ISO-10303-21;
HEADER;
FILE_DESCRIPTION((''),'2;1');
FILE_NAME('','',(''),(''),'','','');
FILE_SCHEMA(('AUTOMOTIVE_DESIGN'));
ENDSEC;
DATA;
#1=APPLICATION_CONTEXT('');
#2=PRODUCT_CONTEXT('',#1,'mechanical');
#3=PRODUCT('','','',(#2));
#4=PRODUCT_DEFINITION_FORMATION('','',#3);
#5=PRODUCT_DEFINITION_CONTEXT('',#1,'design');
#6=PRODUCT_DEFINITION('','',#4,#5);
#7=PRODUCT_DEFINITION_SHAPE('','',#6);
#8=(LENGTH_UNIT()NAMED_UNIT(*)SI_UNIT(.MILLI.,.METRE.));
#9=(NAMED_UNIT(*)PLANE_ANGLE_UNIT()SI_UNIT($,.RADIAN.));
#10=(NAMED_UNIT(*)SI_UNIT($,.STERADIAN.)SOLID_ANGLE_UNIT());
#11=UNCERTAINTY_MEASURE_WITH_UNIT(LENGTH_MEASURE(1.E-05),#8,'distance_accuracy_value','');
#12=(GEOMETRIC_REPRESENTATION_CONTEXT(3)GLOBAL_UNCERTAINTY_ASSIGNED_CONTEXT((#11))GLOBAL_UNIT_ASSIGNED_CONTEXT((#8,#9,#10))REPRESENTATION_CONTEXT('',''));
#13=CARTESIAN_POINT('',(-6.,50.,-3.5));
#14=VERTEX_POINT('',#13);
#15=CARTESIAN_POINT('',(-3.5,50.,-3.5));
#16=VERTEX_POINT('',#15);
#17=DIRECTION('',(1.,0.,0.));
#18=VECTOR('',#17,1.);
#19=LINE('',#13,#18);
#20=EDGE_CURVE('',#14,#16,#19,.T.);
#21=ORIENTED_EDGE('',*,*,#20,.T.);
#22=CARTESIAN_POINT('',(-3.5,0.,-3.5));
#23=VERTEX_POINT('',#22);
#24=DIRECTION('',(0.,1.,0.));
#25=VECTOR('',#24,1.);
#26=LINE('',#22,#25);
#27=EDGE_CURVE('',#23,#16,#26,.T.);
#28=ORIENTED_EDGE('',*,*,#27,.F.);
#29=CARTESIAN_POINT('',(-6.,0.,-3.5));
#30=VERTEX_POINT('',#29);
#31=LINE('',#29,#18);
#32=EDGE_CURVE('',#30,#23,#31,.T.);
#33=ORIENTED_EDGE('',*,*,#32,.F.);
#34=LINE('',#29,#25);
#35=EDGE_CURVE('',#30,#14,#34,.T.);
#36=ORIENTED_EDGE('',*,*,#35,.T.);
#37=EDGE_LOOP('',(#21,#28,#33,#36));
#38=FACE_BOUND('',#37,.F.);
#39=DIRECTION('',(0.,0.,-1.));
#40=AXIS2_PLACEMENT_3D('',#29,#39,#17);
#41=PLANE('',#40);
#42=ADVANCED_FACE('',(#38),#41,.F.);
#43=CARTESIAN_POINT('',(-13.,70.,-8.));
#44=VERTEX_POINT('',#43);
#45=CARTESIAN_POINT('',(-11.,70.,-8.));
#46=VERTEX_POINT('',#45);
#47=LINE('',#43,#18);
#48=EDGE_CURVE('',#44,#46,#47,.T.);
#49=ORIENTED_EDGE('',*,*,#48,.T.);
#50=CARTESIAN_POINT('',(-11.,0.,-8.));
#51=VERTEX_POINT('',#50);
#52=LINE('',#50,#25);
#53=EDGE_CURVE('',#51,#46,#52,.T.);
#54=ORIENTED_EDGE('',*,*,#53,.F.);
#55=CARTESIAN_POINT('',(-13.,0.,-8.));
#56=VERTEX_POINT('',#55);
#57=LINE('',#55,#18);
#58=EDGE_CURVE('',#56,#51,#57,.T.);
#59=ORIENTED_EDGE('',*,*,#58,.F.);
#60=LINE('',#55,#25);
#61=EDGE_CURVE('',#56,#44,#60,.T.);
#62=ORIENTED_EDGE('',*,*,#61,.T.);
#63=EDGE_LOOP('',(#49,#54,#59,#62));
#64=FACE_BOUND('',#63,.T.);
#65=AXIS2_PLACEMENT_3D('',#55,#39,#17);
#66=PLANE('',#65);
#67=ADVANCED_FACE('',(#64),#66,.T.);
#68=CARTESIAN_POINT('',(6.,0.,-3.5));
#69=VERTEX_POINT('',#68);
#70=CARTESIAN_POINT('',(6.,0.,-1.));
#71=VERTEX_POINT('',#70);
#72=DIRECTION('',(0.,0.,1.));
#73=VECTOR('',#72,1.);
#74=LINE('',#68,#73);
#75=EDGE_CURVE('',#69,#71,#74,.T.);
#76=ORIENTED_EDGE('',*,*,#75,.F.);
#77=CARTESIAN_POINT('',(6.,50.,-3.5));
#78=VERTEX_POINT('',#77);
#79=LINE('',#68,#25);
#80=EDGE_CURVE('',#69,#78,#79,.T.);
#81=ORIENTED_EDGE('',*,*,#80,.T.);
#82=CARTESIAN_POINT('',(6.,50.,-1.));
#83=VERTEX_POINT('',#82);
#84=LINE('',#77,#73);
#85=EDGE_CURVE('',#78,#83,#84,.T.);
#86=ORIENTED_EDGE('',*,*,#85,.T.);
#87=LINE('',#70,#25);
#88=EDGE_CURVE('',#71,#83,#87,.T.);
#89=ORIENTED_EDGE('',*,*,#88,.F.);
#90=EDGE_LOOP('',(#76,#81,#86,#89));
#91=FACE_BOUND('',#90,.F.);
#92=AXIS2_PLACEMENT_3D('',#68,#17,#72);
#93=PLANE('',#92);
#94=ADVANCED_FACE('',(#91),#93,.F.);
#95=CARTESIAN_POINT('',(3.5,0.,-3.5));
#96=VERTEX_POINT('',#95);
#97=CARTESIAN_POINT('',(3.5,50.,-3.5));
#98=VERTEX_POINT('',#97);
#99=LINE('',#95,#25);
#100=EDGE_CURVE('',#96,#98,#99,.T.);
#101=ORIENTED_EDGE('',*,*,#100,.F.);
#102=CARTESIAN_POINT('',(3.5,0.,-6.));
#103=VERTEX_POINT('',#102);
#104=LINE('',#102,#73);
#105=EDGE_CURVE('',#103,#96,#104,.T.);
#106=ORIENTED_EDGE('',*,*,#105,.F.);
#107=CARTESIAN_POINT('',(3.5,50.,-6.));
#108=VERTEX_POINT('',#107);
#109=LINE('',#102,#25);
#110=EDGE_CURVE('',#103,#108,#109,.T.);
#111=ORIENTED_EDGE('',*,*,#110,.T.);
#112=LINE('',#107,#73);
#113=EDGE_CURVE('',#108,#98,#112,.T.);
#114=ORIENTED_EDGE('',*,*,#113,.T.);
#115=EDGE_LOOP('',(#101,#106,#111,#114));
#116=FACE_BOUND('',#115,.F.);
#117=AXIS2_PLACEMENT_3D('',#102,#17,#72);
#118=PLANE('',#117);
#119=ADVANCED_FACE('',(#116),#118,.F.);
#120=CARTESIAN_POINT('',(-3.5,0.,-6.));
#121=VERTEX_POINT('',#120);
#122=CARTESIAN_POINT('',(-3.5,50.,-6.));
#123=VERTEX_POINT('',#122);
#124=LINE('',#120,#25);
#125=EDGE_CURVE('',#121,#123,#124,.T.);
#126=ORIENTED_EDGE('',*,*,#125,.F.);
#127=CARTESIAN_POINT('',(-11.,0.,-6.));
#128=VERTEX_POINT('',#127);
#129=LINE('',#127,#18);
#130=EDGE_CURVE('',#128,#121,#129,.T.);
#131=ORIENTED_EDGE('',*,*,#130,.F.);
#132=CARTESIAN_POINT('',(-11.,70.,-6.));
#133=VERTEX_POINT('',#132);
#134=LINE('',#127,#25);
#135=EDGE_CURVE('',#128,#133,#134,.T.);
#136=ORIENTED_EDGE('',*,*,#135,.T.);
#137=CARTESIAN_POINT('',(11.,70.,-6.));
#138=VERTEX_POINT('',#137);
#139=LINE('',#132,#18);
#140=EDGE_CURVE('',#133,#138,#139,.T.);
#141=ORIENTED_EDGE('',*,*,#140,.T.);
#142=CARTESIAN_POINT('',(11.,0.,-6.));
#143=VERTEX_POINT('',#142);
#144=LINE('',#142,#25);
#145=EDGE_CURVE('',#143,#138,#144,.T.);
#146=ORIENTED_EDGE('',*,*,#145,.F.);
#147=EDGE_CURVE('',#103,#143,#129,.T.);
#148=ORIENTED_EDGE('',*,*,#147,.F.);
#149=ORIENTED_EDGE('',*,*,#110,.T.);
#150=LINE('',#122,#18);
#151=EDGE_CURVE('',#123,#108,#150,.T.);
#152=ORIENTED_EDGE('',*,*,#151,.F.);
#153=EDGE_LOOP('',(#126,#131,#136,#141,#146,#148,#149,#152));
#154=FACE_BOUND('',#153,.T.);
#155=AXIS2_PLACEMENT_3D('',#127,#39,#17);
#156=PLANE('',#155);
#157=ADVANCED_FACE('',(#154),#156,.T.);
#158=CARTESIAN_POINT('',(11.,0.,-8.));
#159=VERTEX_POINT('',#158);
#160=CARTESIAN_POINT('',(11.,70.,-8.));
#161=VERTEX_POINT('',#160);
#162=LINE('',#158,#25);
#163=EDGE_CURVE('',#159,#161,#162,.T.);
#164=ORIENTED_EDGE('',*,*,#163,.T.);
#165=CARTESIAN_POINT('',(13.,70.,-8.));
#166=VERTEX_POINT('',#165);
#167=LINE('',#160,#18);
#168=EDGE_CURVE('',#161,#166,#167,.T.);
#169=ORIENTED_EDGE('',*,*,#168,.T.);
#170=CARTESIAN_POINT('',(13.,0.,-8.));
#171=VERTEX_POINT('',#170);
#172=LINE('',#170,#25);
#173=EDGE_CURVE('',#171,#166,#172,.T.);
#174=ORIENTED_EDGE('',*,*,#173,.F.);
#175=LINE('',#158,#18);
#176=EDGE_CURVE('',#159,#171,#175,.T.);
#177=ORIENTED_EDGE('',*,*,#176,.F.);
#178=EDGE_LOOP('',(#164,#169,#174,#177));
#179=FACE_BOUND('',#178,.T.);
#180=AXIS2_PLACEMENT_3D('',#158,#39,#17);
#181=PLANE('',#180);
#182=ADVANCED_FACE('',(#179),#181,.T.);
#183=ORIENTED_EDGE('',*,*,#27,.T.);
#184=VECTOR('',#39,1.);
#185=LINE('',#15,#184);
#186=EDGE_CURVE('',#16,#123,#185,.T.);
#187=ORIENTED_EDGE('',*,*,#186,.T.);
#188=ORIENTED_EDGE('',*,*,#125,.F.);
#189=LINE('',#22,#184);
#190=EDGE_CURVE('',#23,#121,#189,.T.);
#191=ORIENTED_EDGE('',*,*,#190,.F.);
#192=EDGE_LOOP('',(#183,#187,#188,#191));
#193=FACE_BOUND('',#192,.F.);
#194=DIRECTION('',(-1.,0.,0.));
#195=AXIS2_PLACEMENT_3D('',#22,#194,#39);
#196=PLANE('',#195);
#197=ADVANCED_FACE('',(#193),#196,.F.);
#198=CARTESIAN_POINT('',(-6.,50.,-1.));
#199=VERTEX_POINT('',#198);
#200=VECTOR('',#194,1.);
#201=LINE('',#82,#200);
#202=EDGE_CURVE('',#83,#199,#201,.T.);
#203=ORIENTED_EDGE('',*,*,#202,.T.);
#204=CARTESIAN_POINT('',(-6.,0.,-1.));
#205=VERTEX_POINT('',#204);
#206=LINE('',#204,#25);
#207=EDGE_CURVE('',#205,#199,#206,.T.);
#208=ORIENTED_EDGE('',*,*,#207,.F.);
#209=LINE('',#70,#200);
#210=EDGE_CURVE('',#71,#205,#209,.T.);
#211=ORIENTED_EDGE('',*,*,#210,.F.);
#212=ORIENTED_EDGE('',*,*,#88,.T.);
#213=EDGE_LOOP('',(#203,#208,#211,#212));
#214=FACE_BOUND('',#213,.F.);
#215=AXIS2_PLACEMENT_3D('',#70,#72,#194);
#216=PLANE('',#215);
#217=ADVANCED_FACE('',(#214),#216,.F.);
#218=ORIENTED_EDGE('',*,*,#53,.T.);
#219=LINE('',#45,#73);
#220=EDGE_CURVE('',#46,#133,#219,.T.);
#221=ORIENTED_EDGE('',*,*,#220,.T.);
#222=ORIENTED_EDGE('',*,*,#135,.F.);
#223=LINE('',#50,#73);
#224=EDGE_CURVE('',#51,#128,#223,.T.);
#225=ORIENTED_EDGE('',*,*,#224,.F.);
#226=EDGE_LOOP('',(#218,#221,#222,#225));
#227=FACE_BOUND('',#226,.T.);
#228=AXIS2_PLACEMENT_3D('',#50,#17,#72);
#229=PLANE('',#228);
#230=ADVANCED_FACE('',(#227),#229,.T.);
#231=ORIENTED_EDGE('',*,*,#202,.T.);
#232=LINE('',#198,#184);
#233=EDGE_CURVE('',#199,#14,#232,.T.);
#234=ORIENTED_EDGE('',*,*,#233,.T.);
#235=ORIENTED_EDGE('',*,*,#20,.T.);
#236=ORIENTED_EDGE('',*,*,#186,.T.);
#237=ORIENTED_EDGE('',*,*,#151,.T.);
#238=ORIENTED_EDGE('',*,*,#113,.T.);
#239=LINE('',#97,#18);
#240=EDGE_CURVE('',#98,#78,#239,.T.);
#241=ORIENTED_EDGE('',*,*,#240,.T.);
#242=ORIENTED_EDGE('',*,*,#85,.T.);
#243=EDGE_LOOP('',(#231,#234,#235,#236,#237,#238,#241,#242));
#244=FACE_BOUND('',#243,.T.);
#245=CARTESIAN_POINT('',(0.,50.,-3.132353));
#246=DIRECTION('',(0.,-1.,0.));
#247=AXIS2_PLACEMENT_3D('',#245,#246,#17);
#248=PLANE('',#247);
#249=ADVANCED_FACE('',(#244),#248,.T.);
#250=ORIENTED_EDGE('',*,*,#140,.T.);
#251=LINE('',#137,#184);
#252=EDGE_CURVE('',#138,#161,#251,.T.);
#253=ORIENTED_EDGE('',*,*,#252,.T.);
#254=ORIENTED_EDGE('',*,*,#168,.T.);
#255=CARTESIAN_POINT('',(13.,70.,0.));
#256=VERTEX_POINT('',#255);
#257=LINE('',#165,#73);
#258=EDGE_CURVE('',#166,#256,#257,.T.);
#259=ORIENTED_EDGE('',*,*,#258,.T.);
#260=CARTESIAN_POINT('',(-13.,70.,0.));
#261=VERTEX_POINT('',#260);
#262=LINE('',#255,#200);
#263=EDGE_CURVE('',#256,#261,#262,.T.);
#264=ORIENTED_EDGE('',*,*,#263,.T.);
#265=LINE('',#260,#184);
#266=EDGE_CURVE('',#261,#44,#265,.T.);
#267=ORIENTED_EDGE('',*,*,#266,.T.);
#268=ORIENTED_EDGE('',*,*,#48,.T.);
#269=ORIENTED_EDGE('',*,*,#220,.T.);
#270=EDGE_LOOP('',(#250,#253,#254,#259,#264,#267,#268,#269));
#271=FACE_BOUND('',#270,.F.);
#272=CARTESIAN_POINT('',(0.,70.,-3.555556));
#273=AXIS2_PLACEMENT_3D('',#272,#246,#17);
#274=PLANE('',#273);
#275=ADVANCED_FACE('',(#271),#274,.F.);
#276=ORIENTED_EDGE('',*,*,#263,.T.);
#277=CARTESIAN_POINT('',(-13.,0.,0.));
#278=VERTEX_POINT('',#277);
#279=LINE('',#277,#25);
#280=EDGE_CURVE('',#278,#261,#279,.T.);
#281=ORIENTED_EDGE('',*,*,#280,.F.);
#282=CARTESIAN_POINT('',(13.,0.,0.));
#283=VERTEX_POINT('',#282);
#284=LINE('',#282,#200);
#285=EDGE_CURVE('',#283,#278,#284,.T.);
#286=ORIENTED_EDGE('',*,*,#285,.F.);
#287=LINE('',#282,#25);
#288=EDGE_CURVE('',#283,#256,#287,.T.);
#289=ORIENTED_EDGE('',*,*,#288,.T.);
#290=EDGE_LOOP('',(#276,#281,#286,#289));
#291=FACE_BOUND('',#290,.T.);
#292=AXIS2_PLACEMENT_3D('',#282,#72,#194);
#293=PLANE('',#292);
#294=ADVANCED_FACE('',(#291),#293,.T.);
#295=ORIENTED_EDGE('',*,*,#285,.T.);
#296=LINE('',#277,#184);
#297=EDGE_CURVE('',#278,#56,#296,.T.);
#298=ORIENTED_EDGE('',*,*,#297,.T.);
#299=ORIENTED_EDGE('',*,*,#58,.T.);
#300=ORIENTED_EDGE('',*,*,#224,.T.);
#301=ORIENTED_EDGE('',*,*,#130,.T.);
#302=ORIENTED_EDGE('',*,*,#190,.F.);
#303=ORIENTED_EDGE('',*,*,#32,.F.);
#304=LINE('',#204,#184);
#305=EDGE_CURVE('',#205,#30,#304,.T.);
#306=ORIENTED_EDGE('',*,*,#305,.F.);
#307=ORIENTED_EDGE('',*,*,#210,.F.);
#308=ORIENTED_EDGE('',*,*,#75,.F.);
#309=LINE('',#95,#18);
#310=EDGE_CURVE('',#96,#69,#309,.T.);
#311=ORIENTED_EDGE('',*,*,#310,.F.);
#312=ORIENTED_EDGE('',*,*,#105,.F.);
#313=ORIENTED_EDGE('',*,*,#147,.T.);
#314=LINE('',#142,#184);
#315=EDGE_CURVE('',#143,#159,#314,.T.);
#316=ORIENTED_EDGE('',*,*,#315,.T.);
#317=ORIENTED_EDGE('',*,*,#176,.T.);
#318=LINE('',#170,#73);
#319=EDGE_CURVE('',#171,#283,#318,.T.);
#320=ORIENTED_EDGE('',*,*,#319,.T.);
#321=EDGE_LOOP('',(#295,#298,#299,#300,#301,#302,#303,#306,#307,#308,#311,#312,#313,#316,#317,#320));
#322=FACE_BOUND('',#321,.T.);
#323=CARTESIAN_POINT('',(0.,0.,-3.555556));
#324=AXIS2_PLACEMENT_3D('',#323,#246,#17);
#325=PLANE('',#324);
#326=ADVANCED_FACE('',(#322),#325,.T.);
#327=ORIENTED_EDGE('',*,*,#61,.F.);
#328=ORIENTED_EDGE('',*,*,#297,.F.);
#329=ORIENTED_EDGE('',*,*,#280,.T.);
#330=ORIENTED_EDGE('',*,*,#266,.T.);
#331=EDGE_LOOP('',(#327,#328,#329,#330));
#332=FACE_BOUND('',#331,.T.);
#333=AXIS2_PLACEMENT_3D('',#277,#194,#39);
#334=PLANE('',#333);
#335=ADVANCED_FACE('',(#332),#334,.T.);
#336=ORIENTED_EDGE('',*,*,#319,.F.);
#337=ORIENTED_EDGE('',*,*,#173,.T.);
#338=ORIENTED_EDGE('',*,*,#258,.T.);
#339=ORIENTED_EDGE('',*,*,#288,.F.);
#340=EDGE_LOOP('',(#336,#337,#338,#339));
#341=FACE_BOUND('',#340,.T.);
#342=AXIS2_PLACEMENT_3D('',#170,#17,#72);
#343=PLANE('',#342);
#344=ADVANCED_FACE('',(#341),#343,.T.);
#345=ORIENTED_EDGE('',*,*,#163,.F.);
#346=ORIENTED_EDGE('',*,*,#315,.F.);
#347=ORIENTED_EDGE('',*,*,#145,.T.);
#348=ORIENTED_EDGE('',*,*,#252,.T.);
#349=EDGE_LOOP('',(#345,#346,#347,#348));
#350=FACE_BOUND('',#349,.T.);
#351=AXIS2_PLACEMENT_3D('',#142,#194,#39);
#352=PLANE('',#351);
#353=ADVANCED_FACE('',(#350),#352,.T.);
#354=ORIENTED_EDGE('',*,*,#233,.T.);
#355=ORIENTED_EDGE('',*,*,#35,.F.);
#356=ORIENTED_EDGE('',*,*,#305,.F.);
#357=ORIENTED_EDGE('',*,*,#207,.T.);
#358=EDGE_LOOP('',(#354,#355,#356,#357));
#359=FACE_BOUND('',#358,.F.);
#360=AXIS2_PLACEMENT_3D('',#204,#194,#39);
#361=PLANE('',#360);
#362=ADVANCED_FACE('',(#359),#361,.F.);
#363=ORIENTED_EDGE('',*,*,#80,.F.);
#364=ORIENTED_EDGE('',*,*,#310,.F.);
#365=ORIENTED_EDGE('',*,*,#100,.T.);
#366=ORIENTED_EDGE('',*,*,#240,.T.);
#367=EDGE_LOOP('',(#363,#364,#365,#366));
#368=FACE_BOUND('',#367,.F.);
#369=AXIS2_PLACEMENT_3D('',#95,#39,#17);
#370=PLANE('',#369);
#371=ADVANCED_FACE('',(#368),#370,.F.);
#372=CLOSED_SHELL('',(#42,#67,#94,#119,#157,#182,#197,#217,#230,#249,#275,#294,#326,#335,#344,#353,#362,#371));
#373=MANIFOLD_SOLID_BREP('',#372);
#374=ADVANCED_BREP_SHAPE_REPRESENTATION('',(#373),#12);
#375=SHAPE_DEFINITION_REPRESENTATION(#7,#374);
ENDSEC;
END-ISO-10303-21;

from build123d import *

# Parameters (mm, degrees)
F1_DEPTH = 70
F3_DEPTH = 50


with BuildPart() as f1:
    # F0 (on Front) → F1 (new body)
    with BuildSketch(Plane.XZ):
        Polygon((-11, -6), (11, -6), (11, -8), (13, -8), (13, 0), (-13, 0), (-13, -8), (-11, -8), align=None)
    extrude(amount=-F1_DEPTH)

    # F2 (on face) → F3 (cut)
    with BuildSketch(Plane.XZ):
        Polygon((-3.5, -3.5), (-3.5, -6), (3.5, -6), (3.5, -3.5), (6, -3.5), (6, -1), (-6, -1), (-6, -3.5), align=None)
    extrude(amount=-F3_DEPTH, mode=Mode.SUBTRACT)


solid = f1.part
